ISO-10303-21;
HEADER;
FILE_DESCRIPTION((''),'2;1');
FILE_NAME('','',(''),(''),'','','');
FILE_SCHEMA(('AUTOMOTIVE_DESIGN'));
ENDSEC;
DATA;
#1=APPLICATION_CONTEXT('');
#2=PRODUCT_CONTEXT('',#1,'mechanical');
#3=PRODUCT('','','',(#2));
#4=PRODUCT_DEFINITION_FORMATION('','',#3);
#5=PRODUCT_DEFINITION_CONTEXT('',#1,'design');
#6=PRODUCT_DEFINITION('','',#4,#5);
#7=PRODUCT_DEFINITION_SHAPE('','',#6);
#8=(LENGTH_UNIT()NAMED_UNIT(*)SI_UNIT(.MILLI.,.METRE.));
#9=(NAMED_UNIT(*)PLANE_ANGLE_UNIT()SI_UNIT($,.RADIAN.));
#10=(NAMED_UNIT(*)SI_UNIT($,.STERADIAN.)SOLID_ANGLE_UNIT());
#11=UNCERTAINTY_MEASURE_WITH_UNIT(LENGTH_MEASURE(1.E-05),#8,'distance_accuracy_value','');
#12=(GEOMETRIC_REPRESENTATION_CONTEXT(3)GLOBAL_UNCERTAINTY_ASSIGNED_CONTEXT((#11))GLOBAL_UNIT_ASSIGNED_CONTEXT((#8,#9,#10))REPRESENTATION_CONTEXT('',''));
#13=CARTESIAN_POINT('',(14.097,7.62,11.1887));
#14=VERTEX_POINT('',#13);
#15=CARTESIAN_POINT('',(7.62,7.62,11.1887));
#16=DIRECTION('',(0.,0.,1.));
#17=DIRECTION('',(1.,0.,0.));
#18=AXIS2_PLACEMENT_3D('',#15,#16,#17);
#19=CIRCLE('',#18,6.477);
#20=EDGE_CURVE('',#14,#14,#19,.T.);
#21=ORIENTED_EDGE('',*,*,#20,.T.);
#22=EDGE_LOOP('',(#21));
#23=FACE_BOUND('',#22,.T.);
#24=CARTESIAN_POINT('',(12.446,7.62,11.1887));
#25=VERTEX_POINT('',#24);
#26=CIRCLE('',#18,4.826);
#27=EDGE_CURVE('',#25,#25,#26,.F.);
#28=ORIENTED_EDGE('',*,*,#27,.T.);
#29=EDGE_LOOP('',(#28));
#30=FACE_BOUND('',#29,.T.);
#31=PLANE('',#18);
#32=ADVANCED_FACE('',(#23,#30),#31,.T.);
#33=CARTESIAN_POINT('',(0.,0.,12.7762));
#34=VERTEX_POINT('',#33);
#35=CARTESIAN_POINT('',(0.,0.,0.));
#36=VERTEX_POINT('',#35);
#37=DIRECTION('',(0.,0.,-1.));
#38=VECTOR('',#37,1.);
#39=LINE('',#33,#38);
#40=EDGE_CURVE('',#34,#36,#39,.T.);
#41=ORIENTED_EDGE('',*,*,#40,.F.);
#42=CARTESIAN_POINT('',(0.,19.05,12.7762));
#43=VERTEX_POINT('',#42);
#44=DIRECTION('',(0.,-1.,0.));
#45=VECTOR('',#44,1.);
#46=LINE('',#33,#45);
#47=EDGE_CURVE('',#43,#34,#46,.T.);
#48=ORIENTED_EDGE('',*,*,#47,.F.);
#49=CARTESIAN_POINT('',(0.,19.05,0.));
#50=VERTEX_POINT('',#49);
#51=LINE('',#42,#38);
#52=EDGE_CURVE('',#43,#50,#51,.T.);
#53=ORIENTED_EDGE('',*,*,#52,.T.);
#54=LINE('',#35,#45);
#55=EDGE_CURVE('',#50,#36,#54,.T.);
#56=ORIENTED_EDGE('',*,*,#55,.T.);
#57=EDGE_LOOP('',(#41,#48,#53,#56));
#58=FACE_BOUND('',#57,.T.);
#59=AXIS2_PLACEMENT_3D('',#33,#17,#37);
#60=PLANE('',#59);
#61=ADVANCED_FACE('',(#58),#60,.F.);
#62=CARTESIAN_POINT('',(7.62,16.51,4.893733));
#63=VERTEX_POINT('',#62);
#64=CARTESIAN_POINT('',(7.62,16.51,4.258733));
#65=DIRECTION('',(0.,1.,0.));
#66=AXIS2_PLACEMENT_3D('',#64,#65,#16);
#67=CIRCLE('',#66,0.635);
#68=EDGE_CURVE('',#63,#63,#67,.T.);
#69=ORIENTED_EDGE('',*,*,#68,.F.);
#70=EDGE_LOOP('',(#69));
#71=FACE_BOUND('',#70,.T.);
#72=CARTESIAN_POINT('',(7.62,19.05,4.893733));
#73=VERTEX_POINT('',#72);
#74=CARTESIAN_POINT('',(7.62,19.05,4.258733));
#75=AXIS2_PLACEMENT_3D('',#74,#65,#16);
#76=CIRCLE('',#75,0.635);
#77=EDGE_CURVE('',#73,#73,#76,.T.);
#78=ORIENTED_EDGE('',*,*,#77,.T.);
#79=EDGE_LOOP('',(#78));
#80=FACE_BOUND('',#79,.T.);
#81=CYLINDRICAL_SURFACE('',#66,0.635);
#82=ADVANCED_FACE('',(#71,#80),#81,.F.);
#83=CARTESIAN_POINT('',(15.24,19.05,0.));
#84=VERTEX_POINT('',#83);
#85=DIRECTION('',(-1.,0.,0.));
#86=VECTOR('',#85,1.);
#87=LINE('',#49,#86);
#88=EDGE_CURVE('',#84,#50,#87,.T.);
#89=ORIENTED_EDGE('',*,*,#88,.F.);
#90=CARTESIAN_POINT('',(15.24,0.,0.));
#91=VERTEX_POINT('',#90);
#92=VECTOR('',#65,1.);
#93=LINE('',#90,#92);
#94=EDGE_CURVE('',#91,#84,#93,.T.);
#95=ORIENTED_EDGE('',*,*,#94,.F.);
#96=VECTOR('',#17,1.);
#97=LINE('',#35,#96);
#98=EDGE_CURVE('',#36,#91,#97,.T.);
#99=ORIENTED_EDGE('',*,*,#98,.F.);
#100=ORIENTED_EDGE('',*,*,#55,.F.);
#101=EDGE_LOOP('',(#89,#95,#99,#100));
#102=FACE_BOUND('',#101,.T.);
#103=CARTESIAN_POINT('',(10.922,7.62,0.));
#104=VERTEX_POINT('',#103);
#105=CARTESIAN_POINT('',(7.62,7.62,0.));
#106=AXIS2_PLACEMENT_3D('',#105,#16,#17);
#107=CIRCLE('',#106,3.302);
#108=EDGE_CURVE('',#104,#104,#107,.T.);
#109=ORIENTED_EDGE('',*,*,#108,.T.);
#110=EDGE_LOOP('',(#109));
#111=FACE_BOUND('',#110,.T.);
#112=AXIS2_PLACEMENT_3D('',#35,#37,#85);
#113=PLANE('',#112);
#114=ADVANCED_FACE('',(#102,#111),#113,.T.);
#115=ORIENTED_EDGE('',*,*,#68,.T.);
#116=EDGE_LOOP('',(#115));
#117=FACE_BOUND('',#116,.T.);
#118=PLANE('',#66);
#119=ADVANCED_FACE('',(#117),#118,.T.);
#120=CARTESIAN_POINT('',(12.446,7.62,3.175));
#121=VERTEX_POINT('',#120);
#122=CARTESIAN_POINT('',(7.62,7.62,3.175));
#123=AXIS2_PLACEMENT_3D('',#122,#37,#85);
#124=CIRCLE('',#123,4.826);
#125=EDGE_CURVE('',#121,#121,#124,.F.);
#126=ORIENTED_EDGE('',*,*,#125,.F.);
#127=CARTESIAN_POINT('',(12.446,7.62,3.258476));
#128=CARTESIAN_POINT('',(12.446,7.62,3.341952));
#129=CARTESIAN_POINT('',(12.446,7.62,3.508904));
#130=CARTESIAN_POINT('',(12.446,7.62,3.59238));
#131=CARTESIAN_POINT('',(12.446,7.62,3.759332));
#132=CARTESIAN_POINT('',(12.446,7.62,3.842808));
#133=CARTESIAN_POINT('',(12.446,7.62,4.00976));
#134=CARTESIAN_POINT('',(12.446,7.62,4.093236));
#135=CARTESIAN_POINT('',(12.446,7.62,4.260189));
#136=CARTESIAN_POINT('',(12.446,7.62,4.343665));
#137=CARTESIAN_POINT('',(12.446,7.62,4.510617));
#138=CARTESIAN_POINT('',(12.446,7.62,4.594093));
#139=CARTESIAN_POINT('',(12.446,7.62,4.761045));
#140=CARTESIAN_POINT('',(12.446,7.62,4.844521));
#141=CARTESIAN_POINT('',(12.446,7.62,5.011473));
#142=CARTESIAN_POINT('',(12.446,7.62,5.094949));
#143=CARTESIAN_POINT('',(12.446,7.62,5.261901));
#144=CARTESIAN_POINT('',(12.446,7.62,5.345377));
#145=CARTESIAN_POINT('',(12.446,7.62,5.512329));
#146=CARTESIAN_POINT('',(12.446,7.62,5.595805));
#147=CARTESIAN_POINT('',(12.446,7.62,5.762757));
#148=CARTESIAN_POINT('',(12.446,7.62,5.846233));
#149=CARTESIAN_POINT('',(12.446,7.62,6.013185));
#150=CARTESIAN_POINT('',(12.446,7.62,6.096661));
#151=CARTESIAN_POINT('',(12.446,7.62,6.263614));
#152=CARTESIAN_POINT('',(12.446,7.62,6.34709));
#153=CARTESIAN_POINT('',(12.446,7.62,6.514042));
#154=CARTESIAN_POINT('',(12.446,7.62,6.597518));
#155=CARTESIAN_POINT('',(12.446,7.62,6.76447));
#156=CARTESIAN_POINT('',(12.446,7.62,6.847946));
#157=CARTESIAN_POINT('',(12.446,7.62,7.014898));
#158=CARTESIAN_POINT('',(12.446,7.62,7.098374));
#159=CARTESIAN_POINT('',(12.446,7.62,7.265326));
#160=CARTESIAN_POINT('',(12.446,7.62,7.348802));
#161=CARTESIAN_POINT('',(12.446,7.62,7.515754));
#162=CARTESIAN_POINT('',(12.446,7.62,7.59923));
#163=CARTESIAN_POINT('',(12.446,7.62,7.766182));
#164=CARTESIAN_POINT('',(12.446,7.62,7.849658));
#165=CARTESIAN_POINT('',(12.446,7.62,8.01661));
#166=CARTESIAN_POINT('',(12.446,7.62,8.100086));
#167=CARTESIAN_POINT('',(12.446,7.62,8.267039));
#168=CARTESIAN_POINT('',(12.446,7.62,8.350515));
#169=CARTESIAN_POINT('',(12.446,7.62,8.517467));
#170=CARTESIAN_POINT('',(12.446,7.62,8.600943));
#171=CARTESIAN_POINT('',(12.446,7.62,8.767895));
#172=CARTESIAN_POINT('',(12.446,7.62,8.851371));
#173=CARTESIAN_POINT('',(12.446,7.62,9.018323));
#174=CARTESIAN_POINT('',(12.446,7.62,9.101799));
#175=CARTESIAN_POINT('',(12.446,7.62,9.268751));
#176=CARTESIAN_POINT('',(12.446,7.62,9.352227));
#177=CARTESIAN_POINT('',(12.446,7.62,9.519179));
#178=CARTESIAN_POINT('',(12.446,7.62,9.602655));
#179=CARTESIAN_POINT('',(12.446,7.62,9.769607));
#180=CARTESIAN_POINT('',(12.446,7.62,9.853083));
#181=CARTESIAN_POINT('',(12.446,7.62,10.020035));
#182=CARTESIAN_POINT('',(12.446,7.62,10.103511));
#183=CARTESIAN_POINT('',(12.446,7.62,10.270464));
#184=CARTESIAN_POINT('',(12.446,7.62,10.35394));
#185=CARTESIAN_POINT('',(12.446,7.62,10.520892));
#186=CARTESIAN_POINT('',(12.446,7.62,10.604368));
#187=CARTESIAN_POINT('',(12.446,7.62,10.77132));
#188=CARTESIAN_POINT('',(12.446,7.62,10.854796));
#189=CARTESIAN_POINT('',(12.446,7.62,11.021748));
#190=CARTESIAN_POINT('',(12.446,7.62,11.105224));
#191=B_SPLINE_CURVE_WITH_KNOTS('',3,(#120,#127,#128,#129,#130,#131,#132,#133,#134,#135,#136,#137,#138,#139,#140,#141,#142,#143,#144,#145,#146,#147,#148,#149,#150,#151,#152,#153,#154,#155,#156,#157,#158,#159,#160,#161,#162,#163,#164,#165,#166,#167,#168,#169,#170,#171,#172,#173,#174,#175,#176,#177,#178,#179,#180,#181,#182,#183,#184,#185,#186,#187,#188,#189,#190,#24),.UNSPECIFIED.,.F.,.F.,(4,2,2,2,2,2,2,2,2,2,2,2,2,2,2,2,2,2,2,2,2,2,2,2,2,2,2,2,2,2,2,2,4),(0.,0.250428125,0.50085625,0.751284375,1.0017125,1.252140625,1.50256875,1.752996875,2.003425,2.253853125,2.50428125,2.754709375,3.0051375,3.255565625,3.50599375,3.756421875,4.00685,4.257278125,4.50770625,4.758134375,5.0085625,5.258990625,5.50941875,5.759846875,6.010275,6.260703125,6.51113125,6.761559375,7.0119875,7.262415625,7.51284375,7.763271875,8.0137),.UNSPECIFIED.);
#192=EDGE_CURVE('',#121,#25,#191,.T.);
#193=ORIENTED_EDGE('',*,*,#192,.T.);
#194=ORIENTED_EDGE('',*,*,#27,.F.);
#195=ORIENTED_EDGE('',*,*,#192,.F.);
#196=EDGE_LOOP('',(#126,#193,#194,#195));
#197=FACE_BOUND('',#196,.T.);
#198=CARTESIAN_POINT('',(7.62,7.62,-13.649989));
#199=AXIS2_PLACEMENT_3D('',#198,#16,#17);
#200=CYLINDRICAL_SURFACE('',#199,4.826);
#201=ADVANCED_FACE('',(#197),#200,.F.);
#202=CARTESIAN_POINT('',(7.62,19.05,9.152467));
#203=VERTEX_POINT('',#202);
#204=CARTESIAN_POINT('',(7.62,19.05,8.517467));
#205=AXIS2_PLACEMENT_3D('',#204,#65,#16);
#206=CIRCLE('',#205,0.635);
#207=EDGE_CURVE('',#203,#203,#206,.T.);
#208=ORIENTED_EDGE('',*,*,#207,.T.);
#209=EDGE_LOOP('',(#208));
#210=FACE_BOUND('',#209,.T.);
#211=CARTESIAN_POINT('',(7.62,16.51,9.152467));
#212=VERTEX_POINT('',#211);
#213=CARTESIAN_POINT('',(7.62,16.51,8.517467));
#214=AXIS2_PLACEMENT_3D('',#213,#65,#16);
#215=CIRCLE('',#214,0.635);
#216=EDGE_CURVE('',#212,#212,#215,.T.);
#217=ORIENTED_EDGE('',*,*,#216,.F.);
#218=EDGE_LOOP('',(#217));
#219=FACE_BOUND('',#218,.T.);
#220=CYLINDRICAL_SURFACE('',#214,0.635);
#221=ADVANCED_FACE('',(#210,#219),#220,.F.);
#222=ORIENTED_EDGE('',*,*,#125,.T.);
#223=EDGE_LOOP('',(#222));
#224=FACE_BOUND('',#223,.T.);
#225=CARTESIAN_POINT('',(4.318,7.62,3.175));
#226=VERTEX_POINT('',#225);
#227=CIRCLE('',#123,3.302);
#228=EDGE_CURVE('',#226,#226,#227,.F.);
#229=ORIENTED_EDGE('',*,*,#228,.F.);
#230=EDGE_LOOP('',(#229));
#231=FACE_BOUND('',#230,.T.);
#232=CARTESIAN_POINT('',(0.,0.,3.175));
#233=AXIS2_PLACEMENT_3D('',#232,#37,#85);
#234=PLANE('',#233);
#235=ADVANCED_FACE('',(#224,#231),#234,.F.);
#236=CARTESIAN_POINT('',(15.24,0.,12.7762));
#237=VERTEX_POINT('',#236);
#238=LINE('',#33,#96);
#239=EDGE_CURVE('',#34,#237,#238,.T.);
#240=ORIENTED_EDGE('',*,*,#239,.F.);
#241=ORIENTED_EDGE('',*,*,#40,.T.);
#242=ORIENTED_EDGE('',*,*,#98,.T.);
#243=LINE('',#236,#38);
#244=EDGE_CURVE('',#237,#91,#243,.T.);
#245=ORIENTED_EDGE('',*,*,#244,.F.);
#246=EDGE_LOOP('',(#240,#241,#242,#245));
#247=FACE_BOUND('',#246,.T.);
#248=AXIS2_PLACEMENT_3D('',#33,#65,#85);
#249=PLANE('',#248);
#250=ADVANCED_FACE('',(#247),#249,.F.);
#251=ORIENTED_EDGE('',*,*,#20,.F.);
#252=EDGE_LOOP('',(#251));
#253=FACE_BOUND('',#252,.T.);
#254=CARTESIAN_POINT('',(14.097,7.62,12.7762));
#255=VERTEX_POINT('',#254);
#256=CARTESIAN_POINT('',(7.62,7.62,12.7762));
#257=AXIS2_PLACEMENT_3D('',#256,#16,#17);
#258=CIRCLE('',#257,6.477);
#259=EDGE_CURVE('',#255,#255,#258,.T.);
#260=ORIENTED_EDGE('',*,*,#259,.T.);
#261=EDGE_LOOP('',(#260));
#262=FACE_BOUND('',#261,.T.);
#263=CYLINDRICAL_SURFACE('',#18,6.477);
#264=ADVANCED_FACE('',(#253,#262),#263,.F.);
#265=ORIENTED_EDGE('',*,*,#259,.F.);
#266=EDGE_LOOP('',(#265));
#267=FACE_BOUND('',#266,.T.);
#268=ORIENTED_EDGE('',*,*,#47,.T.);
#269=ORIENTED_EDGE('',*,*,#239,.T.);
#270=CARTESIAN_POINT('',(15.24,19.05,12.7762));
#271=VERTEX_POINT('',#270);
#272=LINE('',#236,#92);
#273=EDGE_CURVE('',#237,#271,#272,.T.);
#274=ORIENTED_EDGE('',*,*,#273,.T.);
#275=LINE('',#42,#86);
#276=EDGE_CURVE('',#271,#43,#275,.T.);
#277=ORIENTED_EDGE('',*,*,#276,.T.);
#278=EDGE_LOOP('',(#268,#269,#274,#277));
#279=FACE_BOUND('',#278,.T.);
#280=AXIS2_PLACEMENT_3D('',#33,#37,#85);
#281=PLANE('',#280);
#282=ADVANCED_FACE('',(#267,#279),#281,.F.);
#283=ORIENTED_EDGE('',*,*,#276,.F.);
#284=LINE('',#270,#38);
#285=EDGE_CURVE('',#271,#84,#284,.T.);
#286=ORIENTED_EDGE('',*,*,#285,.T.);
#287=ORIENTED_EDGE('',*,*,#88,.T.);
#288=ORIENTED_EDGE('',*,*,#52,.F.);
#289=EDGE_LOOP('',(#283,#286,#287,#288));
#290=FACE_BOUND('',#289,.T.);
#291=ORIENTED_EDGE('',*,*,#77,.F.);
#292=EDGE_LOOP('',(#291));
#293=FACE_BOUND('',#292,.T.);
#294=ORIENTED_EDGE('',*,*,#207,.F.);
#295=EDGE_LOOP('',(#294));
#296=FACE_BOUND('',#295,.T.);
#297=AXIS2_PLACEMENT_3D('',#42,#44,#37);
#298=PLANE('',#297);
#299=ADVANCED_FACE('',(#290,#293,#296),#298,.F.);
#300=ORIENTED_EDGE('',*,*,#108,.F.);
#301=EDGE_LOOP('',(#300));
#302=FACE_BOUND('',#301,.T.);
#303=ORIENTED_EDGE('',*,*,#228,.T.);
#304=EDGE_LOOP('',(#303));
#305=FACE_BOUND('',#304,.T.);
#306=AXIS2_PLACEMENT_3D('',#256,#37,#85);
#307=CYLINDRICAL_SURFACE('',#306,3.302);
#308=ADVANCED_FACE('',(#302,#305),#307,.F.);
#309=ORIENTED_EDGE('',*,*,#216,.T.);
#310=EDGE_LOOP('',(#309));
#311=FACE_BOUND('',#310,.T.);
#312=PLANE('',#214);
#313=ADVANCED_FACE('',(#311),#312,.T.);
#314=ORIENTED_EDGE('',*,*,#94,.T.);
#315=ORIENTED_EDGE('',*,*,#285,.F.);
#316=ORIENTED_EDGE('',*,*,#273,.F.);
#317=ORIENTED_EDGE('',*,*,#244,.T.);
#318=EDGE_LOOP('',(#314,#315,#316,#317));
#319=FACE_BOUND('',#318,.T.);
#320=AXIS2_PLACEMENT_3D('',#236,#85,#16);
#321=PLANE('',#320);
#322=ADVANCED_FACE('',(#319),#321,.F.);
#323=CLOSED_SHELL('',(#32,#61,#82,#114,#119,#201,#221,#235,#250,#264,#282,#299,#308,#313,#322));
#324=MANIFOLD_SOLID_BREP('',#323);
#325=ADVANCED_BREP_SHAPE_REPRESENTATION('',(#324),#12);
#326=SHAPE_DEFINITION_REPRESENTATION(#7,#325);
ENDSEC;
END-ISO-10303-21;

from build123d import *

# Parameters (mm, degrees)
SKETCH1_W           = 15.24
SKETCH1_H           = 19.05
SKETCH1_R           = 3.302
BOSS_EXTRUDE1_DEPTH = 12.7762
CUT_EXTRUDE1_START  = -9.6012
SKETCH2_R           = 4.826
SKETCH2_R_2         = 3.302
CUT_EXTRUDE1_DEPTH  = 9.6012
SKETCH4_R           = 6.477
CUT_EXTRUDE4_DEPTH  = 1.5875
SKETCH5_R           = 0.635
CUT_EXTRUDE5_DEPTH  = 2.54


with BuildPart() as part:
    # Sketch1 → Boss-Extrude1 (new body)
    with BuildSketch(Plane.XY):
        with Locations((7.62, 9.525)):
            Rectangle(SKETCH1_W, SKETCH1_H)
        with Locations((7.62, 7.62)):
            Circle(SKETCH1_R, mode=Mode.SUBTRACT)
    extrude(amount=BOSS_EXTRUDE1_DEPTH)

    # Sketch2 → Cut-Extrude1 (cut)
    with BuildSketch(Plane.XY.offset(12.7762).offset(CUT_EXTRUDE1_START)):
        with Locations((7.62, 7.62)):
            Circle(SKETCH2_R)
        with Locations(Location((7.62, 7.62, 0), (0, 0, 180))):
            Circle(SKETCH2_R_2, mode=Mode.SUBTRACT)
    extrude(amount=CUT_EXTRUDE1_DEPTH, mode=Mode.SUBTRACT)

    # Sketch4 → Cut-Extrude4 (cut)
    with BuildSketch(Plane.XY.offset(12.7762)):
        with Locations((7.62, 7.62)):
            Circle(SKETCH4_R)
    extrude(amount=-CUT_EXTRUDE4_DEPTH, mode=Mode.SUBTRACT)

    # Sketch5 → Cut-Extrude5 (cut)
    with BuildSketch(Plane(origin=(0, 19.05, 0), x_dir=(1, 0, 0), z_dir=(0, 1, 0))):
        with Locations(Location((7.62, -8.517466667, 0), (0, 0, 270))):
            Circle(SKETCH5_R)
        with Locations(Location((7.62, -4.258733333, 0), (0, 0, 270))):
            Circle(SKETCH5_R)
    extrude(amount=-CUT_EXTRUDE5_DEPTH, mode=Mode.SUBTRACT)


solid = part.part
